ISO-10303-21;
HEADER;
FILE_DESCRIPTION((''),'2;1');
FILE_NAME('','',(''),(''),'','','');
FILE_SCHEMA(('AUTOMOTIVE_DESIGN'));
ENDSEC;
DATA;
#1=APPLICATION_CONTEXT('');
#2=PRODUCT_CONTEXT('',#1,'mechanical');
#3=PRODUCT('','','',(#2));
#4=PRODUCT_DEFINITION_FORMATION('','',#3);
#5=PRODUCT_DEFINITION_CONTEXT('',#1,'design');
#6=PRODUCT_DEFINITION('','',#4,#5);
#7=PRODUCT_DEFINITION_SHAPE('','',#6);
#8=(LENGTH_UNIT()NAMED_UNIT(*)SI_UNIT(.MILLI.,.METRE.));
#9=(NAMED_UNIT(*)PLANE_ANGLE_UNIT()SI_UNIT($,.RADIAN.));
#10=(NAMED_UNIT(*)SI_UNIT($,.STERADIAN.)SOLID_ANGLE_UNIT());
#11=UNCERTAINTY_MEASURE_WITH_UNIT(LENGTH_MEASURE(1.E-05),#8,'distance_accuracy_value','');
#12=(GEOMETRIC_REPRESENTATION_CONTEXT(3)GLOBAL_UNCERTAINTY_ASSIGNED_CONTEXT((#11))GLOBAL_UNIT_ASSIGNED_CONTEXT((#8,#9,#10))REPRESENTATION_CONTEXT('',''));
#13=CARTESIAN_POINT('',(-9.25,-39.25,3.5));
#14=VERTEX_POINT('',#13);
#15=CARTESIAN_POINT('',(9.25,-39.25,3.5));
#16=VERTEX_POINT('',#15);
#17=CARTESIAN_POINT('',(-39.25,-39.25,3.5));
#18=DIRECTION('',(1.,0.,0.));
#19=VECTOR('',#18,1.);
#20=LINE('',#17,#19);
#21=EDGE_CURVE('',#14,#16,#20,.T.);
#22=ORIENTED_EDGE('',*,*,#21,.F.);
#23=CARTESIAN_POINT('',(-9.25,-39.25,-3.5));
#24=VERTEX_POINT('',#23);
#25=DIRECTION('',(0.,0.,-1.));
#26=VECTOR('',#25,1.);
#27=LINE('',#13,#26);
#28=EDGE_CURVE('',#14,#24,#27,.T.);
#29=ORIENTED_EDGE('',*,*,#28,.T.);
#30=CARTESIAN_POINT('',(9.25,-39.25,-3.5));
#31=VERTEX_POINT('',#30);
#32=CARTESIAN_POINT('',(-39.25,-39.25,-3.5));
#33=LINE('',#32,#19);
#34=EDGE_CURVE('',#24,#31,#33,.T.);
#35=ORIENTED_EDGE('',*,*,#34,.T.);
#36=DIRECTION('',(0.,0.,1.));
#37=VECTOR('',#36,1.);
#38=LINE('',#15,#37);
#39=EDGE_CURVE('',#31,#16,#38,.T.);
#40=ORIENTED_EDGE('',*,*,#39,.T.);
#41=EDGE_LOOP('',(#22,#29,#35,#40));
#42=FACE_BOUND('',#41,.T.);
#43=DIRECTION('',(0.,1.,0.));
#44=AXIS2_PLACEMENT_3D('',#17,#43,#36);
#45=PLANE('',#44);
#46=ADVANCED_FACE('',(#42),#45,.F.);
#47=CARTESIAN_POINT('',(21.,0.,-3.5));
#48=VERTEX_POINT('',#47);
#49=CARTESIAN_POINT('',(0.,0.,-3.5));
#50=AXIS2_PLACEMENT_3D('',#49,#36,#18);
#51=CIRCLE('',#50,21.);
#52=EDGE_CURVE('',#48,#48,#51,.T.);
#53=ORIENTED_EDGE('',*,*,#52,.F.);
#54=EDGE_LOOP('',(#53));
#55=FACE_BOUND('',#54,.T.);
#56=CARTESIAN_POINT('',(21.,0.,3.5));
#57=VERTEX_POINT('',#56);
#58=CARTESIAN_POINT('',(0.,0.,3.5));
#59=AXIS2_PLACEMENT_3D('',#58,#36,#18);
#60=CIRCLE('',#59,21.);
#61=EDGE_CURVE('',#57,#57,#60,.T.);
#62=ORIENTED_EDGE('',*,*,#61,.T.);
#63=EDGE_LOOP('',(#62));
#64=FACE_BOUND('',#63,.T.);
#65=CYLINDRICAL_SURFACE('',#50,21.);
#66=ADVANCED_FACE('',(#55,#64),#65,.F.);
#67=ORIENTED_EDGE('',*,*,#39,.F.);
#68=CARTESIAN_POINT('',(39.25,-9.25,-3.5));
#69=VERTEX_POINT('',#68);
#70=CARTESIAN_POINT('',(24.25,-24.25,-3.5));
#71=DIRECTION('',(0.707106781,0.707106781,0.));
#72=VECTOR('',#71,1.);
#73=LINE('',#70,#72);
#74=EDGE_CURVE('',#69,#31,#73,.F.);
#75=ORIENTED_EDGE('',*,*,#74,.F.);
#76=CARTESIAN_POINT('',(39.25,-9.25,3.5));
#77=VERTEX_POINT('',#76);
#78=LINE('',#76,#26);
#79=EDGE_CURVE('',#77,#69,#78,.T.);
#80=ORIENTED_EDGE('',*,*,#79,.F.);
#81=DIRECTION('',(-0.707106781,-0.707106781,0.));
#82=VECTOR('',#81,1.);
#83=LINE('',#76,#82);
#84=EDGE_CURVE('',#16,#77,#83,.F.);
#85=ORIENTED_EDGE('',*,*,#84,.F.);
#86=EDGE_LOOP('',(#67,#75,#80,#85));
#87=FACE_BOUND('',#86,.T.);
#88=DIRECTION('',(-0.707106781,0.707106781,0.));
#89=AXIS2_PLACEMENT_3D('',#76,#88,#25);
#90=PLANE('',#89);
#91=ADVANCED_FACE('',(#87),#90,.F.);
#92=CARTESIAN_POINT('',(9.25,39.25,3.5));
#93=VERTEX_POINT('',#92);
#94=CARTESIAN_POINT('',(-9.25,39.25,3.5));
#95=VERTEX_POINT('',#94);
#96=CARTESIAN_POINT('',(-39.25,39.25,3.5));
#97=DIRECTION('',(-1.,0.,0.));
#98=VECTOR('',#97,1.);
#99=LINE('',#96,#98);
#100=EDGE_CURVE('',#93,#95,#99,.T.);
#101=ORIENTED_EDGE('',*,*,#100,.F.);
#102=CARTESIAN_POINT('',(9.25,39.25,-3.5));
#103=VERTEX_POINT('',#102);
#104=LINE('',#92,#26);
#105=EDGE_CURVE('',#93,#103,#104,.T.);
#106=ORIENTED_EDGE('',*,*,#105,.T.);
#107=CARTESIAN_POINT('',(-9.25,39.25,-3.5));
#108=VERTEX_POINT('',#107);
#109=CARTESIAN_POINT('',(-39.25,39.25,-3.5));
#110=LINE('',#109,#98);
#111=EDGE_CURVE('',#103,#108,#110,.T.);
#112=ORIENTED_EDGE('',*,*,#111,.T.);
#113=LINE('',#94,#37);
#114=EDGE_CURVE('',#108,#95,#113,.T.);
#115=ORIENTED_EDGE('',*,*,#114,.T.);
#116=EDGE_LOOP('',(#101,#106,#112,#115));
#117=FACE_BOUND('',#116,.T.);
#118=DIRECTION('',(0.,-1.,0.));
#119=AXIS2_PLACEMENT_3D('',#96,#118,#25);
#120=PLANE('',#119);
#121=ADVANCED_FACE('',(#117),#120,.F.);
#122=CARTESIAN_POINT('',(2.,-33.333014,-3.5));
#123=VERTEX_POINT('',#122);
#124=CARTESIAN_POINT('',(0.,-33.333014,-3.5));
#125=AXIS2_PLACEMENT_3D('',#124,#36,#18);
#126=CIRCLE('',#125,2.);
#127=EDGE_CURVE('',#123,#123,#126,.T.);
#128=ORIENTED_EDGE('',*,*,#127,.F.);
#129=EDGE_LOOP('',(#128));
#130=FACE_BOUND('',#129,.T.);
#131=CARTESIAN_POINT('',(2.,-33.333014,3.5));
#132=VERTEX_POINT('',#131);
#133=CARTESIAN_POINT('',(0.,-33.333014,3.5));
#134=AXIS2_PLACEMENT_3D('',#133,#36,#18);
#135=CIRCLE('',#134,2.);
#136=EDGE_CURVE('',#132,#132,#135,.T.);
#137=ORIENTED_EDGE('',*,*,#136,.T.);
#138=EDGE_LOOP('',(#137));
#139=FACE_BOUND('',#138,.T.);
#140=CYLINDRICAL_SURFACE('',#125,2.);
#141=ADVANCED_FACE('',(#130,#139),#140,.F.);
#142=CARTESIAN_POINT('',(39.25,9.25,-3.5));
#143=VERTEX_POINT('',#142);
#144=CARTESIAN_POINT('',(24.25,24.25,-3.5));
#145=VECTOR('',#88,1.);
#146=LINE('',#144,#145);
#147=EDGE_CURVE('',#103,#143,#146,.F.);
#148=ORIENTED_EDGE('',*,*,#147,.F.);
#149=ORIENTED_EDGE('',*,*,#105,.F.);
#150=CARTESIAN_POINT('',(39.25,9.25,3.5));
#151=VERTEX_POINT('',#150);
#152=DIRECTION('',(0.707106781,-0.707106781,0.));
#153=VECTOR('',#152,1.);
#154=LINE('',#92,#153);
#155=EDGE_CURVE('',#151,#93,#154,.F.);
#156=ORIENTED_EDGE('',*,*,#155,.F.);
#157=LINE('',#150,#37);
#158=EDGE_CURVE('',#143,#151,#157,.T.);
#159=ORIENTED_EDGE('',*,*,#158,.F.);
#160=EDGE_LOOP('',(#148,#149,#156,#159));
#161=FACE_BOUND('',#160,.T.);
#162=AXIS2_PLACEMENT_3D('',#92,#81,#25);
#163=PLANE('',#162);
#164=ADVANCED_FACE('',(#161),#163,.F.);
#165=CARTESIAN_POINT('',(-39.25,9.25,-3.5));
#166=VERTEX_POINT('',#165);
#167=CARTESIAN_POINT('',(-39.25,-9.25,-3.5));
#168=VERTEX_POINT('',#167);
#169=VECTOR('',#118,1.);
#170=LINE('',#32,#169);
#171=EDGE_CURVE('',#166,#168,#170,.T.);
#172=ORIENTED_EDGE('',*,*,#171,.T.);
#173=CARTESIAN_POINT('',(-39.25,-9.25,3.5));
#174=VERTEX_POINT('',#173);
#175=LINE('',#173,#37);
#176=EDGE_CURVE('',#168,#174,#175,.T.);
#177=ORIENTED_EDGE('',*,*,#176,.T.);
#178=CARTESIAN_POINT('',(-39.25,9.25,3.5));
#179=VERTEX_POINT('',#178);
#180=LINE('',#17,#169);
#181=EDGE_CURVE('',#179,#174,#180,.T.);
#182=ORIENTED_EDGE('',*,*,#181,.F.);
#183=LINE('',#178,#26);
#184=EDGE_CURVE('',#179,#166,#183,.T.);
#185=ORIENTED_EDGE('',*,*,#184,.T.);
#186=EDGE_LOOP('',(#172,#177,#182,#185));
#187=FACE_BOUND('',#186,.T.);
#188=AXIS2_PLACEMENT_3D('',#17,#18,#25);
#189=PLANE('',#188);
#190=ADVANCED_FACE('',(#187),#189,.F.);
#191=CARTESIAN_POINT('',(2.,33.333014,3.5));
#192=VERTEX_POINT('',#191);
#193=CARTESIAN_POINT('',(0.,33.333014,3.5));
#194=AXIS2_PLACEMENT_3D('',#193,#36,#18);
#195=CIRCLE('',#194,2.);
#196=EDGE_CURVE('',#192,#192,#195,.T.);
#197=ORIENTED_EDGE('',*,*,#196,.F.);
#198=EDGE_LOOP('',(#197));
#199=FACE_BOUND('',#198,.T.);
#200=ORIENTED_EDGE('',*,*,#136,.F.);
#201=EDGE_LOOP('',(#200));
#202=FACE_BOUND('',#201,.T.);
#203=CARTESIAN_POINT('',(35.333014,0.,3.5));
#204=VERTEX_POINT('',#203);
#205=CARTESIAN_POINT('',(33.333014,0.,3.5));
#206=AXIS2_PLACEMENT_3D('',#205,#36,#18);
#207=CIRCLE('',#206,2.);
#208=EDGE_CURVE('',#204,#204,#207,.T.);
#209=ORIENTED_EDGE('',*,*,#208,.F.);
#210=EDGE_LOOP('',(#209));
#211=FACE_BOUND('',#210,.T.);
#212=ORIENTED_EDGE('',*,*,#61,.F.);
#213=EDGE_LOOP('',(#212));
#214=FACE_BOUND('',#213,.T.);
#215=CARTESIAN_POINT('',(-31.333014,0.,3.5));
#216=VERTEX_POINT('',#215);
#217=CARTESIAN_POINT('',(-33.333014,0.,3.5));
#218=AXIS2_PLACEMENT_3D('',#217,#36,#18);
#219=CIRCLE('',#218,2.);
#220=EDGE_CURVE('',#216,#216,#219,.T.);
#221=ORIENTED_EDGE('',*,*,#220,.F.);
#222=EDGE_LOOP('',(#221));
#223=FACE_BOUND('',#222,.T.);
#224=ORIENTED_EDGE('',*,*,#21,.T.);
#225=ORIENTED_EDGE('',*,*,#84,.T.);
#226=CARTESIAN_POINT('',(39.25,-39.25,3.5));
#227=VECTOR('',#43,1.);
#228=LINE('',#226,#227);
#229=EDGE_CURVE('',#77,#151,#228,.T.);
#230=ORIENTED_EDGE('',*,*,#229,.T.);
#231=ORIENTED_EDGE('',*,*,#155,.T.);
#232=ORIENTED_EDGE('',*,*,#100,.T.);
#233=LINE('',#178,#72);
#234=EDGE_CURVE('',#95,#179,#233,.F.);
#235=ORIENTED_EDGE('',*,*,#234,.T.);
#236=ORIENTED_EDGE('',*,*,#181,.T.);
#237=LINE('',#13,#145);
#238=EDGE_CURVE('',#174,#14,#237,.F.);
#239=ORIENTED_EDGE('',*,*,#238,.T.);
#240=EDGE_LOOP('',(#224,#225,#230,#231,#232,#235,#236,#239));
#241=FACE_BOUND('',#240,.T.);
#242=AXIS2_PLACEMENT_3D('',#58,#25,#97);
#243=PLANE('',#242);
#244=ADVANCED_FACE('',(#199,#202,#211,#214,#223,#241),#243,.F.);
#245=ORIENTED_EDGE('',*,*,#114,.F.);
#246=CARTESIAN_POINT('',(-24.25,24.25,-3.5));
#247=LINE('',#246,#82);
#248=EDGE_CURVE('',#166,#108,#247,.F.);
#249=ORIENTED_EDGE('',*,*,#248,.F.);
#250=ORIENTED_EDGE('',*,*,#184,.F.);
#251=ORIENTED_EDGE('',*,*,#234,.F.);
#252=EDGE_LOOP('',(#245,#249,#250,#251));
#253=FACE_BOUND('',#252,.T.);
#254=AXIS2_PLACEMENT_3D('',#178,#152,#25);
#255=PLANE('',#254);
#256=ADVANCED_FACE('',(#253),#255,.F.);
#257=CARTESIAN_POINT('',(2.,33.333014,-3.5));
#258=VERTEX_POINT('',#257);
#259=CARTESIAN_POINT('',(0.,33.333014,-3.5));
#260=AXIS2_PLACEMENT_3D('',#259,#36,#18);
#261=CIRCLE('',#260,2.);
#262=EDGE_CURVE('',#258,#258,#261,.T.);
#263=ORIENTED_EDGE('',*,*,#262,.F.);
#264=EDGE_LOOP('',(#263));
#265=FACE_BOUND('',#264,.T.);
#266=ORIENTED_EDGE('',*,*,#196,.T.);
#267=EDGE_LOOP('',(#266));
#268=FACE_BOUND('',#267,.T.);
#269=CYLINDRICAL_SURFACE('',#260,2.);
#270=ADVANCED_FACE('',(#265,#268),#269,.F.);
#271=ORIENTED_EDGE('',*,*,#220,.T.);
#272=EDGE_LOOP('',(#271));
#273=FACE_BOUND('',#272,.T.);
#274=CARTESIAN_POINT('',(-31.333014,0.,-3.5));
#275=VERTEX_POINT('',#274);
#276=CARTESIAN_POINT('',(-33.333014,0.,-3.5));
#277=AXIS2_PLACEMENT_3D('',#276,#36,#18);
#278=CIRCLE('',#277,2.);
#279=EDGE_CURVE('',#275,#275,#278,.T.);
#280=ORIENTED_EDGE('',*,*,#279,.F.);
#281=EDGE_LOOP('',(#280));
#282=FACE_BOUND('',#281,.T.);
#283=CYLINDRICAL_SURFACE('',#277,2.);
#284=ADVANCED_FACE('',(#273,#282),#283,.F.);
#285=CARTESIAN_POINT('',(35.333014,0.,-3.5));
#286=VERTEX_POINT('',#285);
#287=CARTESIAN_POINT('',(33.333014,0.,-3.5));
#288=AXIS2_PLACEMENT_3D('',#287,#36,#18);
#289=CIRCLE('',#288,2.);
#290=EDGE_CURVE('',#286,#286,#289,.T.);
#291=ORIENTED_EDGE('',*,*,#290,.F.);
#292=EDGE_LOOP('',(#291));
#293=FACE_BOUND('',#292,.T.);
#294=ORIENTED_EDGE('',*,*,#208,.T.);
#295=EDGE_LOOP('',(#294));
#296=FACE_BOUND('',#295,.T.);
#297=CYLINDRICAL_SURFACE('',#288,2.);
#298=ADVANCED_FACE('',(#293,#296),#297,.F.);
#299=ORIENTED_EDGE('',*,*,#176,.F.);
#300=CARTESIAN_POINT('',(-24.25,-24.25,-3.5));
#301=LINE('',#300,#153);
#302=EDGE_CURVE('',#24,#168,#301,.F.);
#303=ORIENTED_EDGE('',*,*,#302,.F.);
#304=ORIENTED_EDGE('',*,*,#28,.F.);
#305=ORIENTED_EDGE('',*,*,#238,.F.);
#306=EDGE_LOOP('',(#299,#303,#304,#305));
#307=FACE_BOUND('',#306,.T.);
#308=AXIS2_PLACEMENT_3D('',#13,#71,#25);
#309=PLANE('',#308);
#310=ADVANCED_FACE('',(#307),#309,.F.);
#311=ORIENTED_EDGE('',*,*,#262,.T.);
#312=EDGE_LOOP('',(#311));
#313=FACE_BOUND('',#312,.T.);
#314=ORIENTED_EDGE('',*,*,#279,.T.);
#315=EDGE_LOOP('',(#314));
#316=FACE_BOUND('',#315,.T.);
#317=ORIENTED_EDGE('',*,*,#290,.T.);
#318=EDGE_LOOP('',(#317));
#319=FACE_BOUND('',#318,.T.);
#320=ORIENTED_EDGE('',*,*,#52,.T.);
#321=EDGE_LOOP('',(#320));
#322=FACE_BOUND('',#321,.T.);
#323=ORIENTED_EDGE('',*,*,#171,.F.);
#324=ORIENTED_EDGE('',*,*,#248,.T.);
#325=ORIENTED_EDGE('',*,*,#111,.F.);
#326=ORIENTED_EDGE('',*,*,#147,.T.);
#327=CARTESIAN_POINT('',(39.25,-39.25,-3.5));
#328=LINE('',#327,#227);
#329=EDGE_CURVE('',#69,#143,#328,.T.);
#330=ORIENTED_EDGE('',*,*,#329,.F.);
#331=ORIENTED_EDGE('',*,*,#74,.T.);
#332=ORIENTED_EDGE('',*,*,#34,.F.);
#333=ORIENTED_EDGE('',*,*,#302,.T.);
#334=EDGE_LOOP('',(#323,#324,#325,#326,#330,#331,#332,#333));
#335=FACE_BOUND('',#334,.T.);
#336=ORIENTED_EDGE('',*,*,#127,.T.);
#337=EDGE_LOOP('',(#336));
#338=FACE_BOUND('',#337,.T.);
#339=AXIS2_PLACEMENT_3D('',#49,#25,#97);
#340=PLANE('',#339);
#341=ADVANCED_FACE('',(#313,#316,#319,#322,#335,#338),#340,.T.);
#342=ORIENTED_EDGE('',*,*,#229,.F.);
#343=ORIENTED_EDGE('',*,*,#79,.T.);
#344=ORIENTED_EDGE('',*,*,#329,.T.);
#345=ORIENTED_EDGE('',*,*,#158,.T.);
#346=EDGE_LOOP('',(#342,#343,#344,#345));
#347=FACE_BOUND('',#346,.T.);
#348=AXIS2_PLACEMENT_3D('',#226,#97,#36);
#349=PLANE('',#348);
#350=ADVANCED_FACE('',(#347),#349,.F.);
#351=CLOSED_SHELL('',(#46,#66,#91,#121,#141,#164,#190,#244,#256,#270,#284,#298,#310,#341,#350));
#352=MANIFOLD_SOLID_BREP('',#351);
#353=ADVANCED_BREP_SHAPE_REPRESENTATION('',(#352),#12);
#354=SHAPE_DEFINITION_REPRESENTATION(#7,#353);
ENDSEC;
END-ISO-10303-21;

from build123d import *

# Parameters (mm, degrees)
SKETCH1_W           = 78.5
SKETCH1_H           = 78.5
BOSS_EXTRUDE1_DEPTH = 3.5
SKETCH3_R           = 21
CUT_EXTRUDE2_DEPTH  = 56.947520052
SKETCH4_R           = 2
CUT_EXTRUDE3_DEPTH  = 56.947520052
CHAMFER1_SIZE       = 30


with BuildPart() as part:
    # Sketch1 → Boss-Extrude1 (new, symmetric)
    with BuildSketch(Plane.XY):
        Rectangle(SKETCH1_W, SKETCH1_H)
    extrude(amount=BOSS_EXTRUDE1_DEPTH, both=True)

    # Sketch3 → Cut-Extrude2 (cut, through all)
    with BuildSketch(Plane.XY.offset(3.5)):
        Circle(SKETCH3_R)
    extrude(amount=-CUT_EXTRUDE2_DEPTH, mode=Mode.SUBTRACT)

    # Sketch4 → Cut-Extrude3 (cut, through all)
    with BuildSketch(Plane.XY.offset(3.5)):
        with Locations((0, 33.333013665)):
            Circle(SKETCH4_R)
        with Locations((-33.333013665, 0)):
            Circle(SKETCH4_R)
        with Locations((0, -33.333013665)):
            Circle(SKETCH4_R)
        with Locations((33.333013665, 0)):
            Circle(SKETCH4_R)
    extrude(amount=-CUT_EXTRUDE3_DEPTH, mode=Mode.SUBTRACT)

    # Chamfer1
    chamfer1_edges = [part.edges().sort_by_distance(p)[0] for p in [
        (39.25, -39.25, 0),
        (-39.25, -39.25, 0),
        (-39.25, 39.25, 0),
        (39.25, 39.25, 0),
    ]]
    chamfer(chamfer1_edges, length=CHAMFER1_SIZE)


solid = part.part
